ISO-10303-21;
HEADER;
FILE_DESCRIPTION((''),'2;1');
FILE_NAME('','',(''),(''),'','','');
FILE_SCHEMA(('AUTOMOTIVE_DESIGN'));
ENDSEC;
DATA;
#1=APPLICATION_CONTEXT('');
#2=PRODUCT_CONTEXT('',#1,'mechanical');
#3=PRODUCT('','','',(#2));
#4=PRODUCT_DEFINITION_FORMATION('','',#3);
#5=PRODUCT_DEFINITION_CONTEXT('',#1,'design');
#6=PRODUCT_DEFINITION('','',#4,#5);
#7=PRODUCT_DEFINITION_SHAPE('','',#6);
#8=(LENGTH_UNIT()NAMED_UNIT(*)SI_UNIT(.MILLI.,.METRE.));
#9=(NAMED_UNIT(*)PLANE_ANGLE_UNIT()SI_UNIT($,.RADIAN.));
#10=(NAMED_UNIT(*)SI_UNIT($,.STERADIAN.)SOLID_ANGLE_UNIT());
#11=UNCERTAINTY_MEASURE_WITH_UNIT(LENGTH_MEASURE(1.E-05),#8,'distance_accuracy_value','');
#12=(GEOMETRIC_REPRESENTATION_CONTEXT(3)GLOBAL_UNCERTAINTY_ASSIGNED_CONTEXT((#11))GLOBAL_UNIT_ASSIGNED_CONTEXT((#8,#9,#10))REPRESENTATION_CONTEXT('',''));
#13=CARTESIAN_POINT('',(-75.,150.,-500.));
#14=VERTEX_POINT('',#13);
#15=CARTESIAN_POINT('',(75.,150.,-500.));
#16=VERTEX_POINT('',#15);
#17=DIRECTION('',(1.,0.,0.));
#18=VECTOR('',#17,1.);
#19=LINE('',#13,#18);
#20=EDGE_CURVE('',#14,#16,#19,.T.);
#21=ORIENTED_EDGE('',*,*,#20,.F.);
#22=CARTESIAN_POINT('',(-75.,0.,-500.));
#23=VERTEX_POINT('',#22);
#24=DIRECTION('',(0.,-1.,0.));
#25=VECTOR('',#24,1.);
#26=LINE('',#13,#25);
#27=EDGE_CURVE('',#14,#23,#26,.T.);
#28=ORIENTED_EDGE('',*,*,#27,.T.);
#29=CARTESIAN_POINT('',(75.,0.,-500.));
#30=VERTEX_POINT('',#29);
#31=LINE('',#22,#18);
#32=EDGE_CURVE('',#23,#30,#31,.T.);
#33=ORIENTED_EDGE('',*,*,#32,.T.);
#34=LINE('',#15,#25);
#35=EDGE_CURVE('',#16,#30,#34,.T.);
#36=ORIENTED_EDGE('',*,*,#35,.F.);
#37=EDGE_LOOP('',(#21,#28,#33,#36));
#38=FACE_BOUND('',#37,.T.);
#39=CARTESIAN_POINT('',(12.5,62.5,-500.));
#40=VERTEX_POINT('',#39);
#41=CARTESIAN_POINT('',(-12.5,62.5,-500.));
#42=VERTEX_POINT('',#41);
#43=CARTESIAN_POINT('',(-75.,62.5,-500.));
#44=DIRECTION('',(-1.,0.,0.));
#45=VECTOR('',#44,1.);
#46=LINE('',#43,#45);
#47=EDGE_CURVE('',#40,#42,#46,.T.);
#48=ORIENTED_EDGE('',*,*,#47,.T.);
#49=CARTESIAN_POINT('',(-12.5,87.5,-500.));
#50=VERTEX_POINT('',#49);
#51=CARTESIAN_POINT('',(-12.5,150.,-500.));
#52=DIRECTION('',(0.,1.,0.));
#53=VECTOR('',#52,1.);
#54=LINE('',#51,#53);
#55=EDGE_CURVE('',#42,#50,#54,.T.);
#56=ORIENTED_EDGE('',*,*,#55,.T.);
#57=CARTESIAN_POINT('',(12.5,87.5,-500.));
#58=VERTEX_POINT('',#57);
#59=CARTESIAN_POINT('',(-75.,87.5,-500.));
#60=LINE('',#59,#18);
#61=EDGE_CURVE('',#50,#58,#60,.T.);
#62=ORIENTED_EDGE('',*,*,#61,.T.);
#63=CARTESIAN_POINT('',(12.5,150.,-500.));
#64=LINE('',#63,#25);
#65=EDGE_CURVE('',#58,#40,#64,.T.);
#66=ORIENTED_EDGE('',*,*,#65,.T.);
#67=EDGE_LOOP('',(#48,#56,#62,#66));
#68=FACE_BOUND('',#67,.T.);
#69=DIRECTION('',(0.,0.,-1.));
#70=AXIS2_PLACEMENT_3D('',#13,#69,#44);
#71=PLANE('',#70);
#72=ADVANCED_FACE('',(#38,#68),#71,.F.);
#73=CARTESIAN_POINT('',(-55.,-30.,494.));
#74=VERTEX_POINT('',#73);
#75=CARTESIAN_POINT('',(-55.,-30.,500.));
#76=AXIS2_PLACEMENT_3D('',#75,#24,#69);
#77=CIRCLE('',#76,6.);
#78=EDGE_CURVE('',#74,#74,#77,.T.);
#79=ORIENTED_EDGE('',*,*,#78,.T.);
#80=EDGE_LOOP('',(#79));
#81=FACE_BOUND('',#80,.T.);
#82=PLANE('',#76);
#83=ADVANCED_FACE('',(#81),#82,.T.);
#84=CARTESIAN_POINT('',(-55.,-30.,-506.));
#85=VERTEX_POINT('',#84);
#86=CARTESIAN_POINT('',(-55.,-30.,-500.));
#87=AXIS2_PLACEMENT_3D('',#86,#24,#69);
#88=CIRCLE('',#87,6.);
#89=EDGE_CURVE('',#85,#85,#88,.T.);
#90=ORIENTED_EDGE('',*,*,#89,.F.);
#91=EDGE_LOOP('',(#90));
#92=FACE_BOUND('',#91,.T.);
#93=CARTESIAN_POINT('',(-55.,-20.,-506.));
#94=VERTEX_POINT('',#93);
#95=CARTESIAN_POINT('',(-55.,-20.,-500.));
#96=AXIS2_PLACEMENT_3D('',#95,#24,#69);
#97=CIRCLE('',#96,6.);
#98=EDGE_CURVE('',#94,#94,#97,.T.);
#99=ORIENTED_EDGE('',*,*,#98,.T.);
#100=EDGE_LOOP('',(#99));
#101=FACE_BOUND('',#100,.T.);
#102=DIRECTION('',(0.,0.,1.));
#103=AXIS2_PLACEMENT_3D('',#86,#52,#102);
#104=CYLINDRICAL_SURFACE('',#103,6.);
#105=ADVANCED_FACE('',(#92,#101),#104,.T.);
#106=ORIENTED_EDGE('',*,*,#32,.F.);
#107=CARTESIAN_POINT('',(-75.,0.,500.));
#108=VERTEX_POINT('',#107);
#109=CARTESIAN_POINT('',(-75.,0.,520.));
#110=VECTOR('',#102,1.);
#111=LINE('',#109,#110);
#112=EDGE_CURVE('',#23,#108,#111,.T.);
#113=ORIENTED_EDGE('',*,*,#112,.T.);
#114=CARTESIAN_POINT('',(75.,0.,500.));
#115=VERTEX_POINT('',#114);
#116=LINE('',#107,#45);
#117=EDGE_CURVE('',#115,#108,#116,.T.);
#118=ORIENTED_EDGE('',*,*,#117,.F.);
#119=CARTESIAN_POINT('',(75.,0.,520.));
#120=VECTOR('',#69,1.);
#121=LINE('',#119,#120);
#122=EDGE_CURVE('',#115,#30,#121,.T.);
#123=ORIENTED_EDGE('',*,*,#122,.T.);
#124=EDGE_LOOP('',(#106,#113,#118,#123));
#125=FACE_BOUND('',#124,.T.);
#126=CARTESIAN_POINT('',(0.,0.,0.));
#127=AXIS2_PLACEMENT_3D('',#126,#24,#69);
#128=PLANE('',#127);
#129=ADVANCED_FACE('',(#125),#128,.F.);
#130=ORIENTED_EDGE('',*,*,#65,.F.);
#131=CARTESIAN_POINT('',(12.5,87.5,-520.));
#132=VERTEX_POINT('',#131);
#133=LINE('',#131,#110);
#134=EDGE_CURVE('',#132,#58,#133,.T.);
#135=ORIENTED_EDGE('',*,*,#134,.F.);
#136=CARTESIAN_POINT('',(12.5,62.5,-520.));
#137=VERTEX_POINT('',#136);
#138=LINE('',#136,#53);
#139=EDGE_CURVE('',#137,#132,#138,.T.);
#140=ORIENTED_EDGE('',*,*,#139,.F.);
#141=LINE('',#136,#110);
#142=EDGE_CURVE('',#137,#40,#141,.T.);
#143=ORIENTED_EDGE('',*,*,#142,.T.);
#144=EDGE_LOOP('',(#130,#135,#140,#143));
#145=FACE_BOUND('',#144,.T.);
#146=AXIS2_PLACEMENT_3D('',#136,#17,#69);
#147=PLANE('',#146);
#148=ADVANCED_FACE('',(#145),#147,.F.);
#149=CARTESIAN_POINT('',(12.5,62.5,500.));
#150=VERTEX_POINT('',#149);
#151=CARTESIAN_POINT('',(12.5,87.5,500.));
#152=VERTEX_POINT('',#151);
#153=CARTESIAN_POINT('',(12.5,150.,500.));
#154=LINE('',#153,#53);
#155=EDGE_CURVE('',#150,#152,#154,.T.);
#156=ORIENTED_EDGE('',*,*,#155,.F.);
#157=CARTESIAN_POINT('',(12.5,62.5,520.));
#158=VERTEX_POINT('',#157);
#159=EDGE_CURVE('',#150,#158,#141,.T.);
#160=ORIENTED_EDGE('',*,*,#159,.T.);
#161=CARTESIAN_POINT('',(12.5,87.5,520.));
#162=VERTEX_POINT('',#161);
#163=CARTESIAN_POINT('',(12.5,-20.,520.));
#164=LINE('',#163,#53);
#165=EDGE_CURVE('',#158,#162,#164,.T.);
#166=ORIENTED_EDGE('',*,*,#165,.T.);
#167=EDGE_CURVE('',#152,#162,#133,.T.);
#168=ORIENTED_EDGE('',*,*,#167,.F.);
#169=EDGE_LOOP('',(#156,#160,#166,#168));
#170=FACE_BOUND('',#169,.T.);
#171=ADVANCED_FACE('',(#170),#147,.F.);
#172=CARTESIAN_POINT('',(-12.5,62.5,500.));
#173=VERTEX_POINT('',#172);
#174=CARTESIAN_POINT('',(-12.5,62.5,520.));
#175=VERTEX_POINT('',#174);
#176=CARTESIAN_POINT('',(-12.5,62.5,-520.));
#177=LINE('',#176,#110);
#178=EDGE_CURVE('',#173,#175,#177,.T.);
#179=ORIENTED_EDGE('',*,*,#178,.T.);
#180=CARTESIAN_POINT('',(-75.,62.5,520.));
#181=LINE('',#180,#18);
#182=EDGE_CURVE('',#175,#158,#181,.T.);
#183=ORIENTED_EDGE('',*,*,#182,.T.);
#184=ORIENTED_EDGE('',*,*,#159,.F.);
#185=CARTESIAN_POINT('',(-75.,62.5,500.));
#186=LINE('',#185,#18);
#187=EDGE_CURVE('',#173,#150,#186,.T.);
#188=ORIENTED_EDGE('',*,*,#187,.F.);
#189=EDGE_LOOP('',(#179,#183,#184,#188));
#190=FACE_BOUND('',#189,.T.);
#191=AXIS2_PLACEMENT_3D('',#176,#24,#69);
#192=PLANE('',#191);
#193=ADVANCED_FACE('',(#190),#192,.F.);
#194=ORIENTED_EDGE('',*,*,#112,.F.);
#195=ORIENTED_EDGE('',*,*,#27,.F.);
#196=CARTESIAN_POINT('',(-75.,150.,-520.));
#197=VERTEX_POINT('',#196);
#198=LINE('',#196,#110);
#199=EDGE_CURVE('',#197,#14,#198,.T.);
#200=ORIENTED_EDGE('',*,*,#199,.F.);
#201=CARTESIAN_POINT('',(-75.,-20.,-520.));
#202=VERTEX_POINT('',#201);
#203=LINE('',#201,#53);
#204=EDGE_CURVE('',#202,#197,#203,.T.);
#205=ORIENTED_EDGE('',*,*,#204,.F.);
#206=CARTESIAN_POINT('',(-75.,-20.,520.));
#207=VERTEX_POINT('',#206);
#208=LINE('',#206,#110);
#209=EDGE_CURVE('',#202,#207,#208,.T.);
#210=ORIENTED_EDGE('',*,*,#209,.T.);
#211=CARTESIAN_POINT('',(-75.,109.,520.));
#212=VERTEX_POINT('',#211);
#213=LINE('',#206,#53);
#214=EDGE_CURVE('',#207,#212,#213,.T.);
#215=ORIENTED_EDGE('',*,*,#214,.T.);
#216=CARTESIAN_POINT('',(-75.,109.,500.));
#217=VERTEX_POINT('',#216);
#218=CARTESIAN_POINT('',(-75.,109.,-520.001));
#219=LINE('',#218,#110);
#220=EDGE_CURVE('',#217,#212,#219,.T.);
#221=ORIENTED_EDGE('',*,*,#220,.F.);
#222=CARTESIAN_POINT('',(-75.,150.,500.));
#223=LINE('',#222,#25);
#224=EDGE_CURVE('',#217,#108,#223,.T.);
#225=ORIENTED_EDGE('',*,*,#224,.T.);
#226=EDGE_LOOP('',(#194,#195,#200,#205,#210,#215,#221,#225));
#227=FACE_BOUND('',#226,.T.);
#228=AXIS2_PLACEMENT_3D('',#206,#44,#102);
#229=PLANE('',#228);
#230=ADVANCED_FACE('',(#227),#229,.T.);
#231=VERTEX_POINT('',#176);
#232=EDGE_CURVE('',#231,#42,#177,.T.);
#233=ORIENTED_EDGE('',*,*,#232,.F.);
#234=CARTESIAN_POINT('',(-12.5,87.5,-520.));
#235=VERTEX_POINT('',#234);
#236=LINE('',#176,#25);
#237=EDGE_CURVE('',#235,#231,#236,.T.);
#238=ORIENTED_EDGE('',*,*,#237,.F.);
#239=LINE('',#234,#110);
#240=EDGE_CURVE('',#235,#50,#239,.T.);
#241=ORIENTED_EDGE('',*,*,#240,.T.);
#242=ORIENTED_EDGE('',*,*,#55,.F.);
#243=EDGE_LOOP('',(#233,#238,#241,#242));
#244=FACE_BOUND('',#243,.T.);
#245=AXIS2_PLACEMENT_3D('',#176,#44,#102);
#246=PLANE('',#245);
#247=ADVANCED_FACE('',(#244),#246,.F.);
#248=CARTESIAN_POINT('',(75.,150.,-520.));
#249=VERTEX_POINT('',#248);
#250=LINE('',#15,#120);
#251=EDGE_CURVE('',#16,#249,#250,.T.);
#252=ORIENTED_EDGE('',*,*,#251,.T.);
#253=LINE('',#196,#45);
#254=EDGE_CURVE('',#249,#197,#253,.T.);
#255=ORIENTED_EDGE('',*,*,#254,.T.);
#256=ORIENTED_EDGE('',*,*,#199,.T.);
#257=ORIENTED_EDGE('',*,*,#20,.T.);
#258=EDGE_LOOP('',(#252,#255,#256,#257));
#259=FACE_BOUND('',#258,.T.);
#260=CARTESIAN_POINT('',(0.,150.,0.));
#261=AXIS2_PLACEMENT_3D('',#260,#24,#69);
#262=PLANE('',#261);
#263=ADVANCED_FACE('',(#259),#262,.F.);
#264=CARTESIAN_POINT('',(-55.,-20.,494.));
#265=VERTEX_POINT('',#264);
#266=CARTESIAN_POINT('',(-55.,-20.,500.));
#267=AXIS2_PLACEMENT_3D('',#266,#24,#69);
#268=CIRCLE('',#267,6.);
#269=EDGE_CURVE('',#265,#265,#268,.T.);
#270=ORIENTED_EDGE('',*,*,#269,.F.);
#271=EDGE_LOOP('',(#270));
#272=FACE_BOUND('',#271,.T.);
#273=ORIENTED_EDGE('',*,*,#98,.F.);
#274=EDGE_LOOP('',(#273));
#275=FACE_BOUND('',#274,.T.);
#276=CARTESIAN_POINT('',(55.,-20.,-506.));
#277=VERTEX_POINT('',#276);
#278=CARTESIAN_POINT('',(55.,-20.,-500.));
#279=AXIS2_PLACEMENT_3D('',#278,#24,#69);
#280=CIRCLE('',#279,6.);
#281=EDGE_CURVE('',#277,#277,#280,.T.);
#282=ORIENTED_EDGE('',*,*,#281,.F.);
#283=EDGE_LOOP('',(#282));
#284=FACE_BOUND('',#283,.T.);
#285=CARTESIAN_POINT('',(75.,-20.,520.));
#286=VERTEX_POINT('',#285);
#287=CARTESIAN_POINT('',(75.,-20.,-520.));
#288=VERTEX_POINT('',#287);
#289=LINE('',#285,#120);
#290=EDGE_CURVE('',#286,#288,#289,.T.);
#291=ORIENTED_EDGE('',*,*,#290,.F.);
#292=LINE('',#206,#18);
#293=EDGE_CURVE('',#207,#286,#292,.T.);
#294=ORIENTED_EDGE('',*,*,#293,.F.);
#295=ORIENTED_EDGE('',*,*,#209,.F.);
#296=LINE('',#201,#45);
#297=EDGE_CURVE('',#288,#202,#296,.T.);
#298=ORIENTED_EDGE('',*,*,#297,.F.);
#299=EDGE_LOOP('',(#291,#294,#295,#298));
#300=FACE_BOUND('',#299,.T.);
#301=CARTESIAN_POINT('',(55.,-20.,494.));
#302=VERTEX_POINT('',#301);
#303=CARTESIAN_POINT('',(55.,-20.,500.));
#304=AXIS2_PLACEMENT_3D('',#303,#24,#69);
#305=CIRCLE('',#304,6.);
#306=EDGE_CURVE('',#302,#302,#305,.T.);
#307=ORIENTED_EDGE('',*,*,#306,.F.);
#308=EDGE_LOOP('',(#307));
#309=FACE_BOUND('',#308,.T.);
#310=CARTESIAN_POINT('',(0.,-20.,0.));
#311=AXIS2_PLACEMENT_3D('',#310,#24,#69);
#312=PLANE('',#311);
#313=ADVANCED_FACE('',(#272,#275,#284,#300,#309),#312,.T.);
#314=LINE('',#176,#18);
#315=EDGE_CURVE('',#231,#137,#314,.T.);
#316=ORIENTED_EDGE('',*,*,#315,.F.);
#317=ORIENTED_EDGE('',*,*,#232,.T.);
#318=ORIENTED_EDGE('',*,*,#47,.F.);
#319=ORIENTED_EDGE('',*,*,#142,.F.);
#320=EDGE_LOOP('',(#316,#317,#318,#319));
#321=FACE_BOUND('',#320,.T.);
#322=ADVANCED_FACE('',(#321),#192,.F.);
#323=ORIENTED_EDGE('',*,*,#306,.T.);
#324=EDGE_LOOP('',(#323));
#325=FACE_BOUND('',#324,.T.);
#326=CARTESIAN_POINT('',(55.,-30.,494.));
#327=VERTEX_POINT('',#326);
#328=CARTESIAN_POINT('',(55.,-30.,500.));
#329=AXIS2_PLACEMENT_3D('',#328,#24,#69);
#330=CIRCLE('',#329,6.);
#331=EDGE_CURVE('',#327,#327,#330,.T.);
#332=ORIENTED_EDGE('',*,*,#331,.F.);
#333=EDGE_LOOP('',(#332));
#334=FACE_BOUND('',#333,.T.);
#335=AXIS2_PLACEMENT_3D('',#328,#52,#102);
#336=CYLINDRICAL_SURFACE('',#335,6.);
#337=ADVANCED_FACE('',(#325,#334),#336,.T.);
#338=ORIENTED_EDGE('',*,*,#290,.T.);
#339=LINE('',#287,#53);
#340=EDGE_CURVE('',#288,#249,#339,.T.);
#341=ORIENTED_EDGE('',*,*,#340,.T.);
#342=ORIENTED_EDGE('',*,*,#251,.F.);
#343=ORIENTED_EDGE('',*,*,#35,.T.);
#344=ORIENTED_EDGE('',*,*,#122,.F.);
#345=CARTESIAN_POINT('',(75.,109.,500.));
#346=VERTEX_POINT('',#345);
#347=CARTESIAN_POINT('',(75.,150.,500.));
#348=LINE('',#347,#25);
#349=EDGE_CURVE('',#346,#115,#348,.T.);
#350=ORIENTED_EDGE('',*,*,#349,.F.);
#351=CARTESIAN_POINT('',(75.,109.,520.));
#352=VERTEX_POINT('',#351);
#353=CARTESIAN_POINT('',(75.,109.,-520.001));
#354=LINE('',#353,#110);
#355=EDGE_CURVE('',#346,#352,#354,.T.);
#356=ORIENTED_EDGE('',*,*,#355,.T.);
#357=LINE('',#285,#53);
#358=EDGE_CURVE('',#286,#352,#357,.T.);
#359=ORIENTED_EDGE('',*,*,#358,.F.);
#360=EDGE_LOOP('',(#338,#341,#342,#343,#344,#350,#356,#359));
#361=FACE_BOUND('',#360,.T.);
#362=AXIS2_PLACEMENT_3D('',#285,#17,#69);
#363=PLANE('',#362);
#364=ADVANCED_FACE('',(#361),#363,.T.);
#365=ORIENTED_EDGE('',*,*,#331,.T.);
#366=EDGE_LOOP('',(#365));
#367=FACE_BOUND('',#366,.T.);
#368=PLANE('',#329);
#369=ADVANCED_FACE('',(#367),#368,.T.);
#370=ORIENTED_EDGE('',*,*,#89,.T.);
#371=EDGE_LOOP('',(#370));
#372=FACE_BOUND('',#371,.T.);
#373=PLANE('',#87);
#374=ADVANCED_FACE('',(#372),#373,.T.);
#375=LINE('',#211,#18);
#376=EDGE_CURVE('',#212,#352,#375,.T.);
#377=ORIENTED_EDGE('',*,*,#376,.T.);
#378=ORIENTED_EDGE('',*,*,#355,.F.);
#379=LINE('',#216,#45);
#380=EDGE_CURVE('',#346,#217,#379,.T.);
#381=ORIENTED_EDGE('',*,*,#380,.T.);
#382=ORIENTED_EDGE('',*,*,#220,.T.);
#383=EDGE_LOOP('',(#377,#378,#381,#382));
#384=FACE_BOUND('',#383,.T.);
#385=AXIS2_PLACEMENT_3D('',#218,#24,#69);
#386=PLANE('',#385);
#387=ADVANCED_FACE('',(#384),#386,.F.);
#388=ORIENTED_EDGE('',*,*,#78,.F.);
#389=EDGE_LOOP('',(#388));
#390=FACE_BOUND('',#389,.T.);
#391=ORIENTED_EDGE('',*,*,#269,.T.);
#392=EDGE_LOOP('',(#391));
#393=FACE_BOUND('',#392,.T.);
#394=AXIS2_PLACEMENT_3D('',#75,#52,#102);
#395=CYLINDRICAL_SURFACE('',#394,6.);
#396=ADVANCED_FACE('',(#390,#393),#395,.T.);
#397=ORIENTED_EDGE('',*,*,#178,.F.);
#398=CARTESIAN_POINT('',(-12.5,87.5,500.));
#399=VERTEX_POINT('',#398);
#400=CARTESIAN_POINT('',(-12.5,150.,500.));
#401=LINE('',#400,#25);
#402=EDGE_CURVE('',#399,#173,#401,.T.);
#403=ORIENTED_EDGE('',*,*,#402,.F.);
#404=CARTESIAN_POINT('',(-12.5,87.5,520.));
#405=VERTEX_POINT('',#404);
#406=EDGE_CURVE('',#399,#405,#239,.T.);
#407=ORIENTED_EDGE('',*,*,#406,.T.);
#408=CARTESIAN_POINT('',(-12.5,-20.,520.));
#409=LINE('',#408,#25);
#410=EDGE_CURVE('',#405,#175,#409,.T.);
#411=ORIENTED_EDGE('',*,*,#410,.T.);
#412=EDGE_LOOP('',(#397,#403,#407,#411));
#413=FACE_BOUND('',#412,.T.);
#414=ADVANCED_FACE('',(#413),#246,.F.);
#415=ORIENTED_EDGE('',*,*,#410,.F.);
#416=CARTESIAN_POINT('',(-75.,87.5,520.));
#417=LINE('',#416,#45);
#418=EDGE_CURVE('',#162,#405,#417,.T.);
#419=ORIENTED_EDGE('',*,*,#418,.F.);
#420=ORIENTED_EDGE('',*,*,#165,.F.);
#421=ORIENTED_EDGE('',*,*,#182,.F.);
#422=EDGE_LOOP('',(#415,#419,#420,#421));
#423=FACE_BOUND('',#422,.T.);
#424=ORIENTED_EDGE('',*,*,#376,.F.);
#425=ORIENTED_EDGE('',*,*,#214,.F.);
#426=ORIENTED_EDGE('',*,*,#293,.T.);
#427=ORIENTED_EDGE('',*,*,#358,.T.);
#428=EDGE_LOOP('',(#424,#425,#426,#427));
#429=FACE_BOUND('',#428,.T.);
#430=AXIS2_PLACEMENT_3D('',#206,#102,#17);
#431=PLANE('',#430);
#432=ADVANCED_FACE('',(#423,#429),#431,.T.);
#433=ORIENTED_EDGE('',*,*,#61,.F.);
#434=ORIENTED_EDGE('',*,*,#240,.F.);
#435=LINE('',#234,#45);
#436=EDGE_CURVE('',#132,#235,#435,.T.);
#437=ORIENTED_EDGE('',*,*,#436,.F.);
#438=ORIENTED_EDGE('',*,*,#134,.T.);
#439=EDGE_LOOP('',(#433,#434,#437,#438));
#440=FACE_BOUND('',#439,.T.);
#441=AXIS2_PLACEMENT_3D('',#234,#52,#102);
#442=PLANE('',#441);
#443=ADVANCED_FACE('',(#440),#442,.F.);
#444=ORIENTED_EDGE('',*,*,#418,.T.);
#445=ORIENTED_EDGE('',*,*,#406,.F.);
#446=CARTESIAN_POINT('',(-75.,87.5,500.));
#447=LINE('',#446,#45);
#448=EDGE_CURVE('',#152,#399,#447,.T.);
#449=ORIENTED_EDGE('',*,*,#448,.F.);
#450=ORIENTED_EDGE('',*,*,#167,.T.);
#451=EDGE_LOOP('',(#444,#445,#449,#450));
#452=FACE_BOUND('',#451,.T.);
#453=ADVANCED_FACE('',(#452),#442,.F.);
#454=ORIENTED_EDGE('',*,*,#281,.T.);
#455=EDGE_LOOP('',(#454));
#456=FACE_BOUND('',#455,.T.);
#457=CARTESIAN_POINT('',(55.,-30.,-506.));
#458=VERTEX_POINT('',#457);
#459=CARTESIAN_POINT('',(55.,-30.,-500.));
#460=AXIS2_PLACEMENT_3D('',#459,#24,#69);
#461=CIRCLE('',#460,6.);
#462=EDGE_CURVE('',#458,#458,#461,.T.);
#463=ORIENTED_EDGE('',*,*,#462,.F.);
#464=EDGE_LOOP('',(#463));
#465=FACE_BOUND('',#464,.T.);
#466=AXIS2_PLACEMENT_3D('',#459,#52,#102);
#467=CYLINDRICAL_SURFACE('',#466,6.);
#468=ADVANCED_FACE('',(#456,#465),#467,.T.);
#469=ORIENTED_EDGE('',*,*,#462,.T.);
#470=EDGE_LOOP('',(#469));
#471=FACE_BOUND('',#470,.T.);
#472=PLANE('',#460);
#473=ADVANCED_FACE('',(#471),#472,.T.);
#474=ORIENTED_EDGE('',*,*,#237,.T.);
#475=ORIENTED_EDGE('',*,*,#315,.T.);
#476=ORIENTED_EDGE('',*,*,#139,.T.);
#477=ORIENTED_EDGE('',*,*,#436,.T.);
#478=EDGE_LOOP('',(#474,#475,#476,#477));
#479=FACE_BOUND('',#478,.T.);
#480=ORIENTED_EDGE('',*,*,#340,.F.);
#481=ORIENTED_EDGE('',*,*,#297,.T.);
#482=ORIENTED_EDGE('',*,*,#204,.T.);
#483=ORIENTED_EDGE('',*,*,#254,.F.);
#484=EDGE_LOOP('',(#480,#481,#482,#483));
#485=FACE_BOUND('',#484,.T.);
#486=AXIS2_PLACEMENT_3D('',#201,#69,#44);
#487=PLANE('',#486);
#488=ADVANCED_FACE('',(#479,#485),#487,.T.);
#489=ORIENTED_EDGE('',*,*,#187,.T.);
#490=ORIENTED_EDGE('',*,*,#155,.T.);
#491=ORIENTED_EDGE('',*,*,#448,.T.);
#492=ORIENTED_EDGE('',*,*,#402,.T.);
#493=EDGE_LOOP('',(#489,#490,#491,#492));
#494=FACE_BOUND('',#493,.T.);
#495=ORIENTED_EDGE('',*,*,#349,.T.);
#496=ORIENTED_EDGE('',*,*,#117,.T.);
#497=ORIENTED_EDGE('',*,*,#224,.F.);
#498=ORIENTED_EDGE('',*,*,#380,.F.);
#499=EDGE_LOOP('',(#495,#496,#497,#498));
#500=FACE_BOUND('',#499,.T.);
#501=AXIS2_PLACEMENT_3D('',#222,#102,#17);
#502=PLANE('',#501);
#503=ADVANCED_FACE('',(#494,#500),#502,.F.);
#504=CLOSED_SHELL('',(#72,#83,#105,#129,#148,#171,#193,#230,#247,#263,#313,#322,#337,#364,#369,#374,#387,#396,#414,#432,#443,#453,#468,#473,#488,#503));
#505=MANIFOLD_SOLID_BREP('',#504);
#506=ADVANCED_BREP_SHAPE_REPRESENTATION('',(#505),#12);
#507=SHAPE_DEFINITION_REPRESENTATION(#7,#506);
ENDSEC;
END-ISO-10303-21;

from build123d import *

# Parameters (mm, degrees)
SKETCH2_W               = 150
SKETCH2_H               = 1040
BOSS_EXTRUDE1_DEPTH     = 20
SKETCH3_W               = 150
SKETCH3_H               = 20
BOSS_EXTRUDE2_DEPTH     = 150
CUT_EXTRUDE1_DEPTH      = 1054.434857977
CUT_EXTRUDE1_DEPTH_BACK = 1054.434857977
SKETCH4_W               = 25
SKETCH4_H               = 25
SKETCH5_R               = 6
BOSS_EXTRUDE3_DEPTH     = 10
CUT_EXTRUDE2_REACH      = 1055.435
SKETCH6_W               = 150
SKETCH6_H               = 41


with BuildPart() as part:
    # Sketch2 → Boss-Extrude1 (new body)
    with BuildSketch(Plane(origin=(0, 0, 0), x_dir=(1, 0, 0), z_dir=(0, 1, 0))):
        Rectangle(SKETCH2_W, SKETCH2_H)
    extrude(amount=-BOSS_EXTRUDE1_DEPTH)

    # Sketch3 → Boss-Extrude2 (add)
    with BuildSketch(Plane(origin=(0, 0, 0), x_dir=(1, 0, 0), z_dir=(0, 1, 0))):
        with Locations((0, -510)):
            Rectangle(SKETCH3_W, SKETCH3_H)
        with Locations((0, 510)):
            Rectangle(SKETCH3_W, SKETCH3_H)
    extrude(amount=BOSS_EXTRUDE2_DEPTH)

    # Sketch4 → Cut-Extrude1 (cut, two sides: drawn at the far end of the back side and taken through both)
    with BuildSketch(Plane.XY.offset(520).offset(-CUT_EXTRUDE1_DEPTH_BACK)):
        with Locations((0, 75)):
            Rectangle(SKETCH4_W, SKETCH4_H)
    extrude(amount=CUT_EXTRUDE1_DEPTH + CUT_EXTRUDE1_DEPTH_BACK, mode=Mode.SUBTRACT)

    # Sketch5 → Boss-Extrude3 (add)
    with BuildSketch(Plane.XZ.offset(20)):
        with Locations(Location((-55, 500, 0), (0, 0, 270))):
            Circle(SKETCH5_R)
        with Locations(Location((55, 500, 0), (0, 0, 270))):
            Circle(SKETCH5_R)
        with Locations(Location((-55, -500, 0), (0, 0, 270))):
            Circle(SKETCH5_R)
        with Locations(Location((55, -500, 0), (0, 0, 270))):
            Circle(SKETCH5_R)
    extrude(amount=BOSS_EXTRUDE3_DEPTH)

    # Sketch6 → Cut-Extrude2 (cut, up to next)
    with BuildSketch(Plane.XY.offset(520), mode=Mode.PRIVATE) as cut_extrude2_sk1:
        with Locations((0, 129.5)):
            Rectangle(SKETCH6_W, SKETCH6_H)
    cut_extrude2_tool1 = extrude(cut_extrude2_sk1.sketch, amount=-CUT_EXTRUDE2_REACH, mode=Mode.PRIVATE) & part.part
    add(cut_extrude2_tool1.solids().sort_by_distance((0, 129.5, 520))[0], mode=Mode.SUBTRACT)


solid = part.part
